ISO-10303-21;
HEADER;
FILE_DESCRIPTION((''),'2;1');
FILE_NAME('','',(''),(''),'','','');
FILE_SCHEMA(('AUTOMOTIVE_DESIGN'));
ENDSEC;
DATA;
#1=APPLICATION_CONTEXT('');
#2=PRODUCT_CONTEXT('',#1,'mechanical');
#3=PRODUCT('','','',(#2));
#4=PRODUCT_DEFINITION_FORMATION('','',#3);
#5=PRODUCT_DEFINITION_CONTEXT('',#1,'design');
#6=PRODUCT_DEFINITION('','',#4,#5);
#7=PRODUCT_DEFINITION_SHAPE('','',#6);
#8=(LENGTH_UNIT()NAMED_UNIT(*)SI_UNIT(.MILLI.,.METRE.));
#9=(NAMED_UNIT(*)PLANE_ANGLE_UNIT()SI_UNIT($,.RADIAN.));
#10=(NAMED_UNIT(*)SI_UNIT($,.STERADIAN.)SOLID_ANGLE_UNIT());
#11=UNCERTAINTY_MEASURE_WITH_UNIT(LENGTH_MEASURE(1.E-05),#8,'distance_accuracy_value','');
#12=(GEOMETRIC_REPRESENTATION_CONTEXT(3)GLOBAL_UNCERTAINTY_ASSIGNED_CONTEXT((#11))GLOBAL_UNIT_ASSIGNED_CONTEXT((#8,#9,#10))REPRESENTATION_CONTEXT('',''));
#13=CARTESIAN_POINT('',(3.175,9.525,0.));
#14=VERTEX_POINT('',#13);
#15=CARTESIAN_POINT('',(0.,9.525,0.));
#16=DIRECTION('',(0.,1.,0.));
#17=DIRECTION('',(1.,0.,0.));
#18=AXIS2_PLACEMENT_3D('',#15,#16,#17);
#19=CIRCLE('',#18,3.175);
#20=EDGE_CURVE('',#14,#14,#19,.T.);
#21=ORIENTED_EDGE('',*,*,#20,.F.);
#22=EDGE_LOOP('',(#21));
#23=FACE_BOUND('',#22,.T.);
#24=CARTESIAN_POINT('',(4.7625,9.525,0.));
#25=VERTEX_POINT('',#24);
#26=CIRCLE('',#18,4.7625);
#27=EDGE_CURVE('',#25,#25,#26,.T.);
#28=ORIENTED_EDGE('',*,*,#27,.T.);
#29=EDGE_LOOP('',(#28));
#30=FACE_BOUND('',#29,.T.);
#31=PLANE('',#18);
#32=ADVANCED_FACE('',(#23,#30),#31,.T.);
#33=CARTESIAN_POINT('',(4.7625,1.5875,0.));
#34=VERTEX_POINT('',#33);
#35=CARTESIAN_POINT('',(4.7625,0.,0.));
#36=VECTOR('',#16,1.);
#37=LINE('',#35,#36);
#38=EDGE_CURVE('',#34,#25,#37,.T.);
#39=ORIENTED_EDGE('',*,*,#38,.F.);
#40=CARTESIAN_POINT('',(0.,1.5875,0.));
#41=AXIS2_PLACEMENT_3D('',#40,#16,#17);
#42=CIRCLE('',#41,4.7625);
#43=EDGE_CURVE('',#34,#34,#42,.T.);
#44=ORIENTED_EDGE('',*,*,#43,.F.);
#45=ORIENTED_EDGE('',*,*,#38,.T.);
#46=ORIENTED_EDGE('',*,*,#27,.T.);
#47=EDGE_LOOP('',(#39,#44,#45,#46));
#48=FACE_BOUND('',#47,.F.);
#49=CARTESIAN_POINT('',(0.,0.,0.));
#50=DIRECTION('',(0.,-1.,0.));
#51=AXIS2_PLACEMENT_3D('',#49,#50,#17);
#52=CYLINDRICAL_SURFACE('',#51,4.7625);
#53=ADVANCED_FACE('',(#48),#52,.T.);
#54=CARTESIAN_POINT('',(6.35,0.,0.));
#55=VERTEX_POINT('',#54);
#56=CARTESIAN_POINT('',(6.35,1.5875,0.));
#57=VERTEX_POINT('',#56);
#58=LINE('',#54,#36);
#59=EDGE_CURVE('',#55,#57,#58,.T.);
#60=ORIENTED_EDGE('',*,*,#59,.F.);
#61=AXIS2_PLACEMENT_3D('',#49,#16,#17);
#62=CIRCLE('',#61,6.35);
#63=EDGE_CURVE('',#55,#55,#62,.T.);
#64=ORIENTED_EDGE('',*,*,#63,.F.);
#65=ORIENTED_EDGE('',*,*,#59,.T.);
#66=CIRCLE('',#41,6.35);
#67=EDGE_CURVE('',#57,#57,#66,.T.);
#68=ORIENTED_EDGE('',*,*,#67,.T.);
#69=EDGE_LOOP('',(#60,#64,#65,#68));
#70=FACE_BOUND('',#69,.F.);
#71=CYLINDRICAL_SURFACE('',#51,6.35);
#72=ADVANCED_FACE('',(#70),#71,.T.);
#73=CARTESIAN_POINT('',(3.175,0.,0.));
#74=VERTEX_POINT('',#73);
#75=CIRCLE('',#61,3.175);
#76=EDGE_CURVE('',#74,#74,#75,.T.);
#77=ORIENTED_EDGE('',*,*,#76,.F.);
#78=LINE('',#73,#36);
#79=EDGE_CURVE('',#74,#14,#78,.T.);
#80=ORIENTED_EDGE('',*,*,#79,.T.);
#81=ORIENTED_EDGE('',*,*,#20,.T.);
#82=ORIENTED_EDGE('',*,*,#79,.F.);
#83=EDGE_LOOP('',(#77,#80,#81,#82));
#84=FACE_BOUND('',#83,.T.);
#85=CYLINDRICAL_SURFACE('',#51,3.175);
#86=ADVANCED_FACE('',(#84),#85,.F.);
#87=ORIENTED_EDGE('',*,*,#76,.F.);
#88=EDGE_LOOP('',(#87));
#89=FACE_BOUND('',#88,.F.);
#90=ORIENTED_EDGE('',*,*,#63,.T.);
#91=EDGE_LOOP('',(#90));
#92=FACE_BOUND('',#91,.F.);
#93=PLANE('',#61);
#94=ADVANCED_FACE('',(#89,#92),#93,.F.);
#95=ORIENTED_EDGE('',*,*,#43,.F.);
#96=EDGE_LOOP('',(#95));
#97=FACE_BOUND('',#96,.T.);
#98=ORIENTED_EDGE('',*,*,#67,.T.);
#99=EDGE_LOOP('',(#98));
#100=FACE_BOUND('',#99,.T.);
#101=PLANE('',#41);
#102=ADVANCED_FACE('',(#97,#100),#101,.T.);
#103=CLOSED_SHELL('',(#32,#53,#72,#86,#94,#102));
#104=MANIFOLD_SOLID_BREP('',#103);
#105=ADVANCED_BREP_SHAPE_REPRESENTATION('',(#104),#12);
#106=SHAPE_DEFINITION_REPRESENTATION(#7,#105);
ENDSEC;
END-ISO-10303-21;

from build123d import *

# Parameters (mm, degrees)
SKETCH2_R           = 4.7625
SKETCH2_R_2         = 3.175
BOSS_EXTRUDE1_DEPTH = 9.525
SKETCH3_R           = 6.35
SKETCH3_R_2         = 4.7625
BOSS_EXTRUDE2_DEPTH = 1.5875


with BuildPart() as part:
    # Sketch2 → Boss-Extrude1 (new body)
    with BuildSketch(Plane(origin=(0, 0, 0), x_dir=(1, 0, 0), z_dir=(0, 1, 0))):
        Circle(SKETCH2_R)
        Circle(SKETCH2_R_2, mode=Mode.SUBTRACT)
    extrude(amount=BOSS_EXTRUDE1_DEPTH)

    # Sketch3 → Boss-Extrude2 (add)
    with BuildSketch(Plane(origin=(0, 0, 0), x_dir=(1, 0, 0), z_dir=(0, 1, 0))):
        Circle(SKETCH3_R)
        Circle(SKETCH3_R_2, mode=Mode.SUBTRACT)
    extrude(amount=BOSS_EXTRUDE2_DEPTH)


solid = part.part
